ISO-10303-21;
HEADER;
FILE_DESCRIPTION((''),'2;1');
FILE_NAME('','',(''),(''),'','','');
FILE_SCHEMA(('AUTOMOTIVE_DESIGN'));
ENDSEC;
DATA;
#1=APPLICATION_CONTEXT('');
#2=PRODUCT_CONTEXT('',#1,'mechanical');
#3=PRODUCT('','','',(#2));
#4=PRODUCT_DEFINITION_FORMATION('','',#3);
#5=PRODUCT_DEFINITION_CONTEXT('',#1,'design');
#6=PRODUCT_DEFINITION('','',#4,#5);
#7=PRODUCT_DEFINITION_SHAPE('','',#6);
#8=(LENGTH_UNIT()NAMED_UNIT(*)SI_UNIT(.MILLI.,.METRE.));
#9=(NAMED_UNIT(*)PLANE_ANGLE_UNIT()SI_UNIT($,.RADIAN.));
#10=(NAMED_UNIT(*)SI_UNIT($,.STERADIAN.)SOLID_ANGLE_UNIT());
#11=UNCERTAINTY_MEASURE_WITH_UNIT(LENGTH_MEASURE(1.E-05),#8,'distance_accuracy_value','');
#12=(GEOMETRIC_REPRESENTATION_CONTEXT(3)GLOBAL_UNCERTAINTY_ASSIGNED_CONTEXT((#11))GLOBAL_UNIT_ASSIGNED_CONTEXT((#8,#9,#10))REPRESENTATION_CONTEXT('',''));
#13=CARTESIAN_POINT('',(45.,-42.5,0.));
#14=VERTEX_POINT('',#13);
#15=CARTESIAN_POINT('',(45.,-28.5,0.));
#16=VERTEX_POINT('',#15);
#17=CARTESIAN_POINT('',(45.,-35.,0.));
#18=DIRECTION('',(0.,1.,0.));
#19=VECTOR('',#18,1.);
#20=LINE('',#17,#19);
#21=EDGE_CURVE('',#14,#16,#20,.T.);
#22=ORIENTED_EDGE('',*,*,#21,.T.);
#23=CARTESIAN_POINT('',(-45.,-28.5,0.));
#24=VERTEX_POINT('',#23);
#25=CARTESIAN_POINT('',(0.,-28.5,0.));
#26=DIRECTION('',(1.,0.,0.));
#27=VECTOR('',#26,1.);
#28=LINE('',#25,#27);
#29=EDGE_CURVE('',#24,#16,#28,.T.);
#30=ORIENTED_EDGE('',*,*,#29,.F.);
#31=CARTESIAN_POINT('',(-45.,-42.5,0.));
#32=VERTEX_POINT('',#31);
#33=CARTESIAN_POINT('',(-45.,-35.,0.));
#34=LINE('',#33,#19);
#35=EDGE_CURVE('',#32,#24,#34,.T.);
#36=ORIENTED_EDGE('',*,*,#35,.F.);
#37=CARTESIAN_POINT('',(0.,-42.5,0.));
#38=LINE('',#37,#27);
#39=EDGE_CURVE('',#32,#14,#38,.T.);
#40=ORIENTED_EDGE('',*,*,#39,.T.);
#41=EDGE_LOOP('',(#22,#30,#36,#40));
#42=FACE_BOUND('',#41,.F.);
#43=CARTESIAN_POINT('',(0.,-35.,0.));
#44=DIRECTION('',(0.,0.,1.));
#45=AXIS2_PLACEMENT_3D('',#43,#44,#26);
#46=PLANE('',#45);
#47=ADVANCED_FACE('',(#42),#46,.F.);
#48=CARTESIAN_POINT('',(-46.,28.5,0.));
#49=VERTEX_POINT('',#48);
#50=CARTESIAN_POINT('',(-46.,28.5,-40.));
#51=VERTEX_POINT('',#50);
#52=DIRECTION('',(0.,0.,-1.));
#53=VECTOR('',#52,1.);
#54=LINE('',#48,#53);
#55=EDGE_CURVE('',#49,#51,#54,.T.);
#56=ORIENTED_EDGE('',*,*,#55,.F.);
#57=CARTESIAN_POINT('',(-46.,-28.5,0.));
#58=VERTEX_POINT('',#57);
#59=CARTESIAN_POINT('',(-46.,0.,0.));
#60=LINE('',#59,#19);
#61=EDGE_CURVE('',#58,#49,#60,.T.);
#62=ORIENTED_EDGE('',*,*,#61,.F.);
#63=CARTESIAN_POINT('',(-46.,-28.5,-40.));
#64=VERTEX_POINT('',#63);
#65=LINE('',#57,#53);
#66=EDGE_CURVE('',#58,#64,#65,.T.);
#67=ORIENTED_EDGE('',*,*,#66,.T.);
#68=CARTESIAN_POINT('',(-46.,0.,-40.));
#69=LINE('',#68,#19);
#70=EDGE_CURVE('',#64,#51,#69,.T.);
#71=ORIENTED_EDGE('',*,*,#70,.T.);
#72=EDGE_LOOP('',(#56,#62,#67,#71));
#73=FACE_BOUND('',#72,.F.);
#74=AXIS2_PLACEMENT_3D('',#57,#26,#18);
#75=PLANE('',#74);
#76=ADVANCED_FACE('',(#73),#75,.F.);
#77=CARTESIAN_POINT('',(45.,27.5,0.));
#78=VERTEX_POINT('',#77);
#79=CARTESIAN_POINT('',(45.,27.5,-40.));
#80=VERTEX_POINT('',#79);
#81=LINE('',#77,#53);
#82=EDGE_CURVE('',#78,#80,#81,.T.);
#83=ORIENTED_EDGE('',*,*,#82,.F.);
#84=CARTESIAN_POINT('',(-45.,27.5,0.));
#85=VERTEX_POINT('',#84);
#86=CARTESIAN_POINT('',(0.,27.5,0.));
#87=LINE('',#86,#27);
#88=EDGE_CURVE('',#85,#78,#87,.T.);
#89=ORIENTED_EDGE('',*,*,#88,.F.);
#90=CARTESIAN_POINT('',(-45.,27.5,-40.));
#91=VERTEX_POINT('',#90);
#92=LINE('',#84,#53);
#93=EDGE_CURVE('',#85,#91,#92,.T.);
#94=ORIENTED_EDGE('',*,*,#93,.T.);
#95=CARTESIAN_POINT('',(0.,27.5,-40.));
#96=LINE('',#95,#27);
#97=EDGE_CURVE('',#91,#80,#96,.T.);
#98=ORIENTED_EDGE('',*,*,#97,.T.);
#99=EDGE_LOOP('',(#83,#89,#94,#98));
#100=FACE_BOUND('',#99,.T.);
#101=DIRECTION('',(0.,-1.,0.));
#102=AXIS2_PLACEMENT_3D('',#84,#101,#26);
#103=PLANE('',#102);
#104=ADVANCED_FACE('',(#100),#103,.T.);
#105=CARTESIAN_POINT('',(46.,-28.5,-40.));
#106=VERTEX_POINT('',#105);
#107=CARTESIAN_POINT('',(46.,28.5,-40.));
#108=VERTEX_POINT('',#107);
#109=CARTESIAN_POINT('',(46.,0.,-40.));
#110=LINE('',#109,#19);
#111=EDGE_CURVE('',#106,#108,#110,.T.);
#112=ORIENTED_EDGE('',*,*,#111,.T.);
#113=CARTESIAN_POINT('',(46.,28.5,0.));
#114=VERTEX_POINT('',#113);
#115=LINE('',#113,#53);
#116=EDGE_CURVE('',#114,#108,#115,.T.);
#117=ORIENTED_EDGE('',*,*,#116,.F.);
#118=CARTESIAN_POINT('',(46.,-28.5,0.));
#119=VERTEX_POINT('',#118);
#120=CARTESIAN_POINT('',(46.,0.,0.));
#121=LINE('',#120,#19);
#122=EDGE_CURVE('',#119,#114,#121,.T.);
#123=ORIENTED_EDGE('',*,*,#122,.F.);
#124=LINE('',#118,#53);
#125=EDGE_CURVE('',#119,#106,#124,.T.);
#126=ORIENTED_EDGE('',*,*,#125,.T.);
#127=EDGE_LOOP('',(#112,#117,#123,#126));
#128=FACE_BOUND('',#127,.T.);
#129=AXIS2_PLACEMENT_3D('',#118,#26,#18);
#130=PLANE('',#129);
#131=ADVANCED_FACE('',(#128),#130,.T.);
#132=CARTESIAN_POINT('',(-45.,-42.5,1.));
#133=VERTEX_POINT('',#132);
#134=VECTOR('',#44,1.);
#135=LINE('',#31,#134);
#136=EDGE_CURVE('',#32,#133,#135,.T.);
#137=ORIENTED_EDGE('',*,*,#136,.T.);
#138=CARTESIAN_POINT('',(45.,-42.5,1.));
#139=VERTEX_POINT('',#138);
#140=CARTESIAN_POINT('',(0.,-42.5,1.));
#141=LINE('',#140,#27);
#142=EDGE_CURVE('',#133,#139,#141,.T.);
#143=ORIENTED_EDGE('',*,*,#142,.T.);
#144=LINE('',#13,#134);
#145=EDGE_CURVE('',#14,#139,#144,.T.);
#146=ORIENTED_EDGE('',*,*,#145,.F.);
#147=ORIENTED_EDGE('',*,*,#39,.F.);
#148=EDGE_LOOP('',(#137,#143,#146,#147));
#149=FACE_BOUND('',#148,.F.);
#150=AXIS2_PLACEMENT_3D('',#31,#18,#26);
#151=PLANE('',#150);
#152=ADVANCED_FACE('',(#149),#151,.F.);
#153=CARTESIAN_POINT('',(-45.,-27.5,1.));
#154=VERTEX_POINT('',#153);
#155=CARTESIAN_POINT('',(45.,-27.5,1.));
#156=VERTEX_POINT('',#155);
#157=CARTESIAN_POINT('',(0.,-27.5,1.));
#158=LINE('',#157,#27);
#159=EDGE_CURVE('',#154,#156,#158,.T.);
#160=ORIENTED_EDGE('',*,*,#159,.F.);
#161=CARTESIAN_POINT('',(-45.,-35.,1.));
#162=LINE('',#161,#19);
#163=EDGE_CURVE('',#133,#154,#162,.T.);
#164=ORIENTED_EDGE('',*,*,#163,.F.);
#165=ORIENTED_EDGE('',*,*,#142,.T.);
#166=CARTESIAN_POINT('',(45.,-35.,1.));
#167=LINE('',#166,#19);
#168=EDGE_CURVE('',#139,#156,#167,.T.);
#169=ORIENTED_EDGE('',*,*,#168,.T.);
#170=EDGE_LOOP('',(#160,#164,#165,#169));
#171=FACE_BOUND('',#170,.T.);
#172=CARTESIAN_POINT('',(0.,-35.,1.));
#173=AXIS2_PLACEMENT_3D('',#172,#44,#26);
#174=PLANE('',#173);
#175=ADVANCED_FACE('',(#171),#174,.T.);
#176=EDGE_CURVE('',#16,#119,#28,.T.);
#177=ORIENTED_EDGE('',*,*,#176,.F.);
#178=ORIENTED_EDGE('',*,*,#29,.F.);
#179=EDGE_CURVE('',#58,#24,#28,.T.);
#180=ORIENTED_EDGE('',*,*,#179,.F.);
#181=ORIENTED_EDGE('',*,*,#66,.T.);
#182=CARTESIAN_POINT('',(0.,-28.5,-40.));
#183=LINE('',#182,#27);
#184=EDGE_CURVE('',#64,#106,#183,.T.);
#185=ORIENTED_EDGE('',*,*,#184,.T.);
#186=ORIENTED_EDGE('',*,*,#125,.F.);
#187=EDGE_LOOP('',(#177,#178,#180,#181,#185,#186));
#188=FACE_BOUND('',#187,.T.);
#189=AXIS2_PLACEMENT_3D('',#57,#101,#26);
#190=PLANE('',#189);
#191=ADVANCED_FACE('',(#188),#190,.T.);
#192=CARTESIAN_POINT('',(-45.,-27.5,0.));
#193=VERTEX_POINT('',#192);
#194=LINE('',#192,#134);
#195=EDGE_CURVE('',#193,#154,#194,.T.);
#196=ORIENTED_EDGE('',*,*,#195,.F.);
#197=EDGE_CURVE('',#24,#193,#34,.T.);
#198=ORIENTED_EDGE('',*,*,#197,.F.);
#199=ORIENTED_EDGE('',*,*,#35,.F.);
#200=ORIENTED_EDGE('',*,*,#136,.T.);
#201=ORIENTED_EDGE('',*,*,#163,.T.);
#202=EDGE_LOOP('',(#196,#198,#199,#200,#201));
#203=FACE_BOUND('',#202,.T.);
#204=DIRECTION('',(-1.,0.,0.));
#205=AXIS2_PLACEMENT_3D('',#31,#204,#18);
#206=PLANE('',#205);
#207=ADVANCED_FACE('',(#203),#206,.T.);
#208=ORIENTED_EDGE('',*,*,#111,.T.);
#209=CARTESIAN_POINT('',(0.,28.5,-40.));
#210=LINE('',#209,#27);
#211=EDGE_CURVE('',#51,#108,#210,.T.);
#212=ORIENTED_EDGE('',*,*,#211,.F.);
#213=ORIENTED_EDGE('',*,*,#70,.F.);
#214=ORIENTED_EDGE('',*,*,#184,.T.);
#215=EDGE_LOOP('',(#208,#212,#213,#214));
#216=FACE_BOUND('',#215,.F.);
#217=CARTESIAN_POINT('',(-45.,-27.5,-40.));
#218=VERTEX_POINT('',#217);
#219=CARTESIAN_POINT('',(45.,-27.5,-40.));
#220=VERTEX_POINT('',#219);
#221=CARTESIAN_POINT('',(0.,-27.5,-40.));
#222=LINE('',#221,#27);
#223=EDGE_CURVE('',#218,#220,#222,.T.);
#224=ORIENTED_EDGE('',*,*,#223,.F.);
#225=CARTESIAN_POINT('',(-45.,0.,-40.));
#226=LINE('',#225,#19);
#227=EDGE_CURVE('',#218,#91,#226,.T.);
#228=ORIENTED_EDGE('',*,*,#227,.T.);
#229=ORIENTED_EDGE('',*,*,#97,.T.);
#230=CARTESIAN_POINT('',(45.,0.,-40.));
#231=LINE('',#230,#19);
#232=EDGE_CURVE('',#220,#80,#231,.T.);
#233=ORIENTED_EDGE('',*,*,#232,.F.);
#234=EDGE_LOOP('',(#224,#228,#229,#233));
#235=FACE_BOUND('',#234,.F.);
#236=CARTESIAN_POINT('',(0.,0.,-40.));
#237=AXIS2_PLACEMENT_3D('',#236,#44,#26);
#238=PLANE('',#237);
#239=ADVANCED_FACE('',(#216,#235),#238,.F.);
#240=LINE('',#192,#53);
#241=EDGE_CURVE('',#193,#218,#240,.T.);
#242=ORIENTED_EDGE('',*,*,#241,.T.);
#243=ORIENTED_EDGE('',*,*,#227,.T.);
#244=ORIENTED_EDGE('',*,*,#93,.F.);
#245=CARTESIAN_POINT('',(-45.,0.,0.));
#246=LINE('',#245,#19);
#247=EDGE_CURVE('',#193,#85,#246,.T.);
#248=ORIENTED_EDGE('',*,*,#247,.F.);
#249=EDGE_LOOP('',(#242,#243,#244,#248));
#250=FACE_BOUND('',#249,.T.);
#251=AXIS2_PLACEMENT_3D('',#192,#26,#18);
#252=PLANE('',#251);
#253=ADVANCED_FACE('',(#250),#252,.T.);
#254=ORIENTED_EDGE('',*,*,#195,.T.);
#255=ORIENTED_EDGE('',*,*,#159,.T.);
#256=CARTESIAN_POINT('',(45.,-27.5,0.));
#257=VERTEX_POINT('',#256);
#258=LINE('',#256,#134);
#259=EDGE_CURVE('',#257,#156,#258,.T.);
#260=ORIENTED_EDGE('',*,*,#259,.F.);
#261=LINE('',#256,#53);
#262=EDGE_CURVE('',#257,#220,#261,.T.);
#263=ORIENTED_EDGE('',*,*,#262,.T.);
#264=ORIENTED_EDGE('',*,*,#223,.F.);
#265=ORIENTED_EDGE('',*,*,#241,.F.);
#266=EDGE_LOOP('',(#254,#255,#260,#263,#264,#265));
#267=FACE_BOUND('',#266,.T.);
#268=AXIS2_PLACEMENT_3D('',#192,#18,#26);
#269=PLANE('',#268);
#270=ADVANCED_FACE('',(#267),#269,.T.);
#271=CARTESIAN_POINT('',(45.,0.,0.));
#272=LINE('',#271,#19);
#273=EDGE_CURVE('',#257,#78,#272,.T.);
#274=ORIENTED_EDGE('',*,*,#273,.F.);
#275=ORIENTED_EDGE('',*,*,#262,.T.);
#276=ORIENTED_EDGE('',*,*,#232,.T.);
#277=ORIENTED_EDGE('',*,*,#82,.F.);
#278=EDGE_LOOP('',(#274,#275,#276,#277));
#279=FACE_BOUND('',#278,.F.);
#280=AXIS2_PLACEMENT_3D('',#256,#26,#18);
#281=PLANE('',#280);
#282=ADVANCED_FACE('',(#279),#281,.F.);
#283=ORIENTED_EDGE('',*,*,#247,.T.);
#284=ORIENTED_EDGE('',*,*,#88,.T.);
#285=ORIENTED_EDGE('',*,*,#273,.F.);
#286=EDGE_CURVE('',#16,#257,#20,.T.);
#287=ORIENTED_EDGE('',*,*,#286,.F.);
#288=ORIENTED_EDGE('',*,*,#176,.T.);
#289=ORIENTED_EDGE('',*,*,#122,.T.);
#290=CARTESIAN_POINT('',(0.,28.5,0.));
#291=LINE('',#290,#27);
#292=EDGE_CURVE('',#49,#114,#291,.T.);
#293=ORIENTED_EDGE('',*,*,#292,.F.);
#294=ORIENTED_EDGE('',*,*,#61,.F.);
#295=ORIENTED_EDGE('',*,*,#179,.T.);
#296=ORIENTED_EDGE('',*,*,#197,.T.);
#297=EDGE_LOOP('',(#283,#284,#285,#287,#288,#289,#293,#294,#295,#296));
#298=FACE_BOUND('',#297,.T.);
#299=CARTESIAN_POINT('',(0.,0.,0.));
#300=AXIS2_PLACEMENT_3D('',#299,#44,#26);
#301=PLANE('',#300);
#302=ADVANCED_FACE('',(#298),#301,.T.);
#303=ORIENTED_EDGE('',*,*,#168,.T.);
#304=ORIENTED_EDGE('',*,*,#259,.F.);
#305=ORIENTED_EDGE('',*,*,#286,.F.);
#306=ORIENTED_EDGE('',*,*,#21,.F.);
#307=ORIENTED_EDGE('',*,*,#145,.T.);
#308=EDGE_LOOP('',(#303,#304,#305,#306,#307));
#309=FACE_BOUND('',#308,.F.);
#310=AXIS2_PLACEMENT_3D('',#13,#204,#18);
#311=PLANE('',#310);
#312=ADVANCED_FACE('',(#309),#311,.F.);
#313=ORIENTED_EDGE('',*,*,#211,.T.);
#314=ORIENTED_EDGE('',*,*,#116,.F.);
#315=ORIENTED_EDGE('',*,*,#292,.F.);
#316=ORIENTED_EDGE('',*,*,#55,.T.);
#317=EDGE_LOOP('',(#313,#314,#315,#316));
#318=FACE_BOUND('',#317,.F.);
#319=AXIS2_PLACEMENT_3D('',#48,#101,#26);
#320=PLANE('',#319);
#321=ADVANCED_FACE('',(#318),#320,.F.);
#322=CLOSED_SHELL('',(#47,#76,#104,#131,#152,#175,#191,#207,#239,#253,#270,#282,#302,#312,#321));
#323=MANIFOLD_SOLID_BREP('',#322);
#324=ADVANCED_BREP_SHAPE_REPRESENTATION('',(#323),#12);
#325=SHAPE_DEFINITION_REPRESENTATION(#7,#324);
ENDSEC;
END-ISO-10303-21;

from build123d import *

# Parameters (mm, degrees)
F0_W     = 92
F0_H     = 57
F0_W_2   = 90
F0_H_2   = 55
F1_DEPTH = 40
F2_W     = 90
F2_H     = 15
F3_DEPTH = 1


with BuildPart() as f1:
    # F0 (on Top) → F1 (new body)
    with BuildSketch(Plane.XY):
        Rectangle(F0_W, F0_H)
        Rectangle(F0_W_2, F0_H_2, mode=Mode.SUBTRACT)
    extrude(amount=-F1_DEPTH)

    # F2 (on face) → F3 (join)
    with BuildSketch(Plane.XY):
        with Locations((0, -35)):
            Rectangle(F2_W, F2_H)
    extrude(amount=F3_DEPTH)


solid = f1.part
